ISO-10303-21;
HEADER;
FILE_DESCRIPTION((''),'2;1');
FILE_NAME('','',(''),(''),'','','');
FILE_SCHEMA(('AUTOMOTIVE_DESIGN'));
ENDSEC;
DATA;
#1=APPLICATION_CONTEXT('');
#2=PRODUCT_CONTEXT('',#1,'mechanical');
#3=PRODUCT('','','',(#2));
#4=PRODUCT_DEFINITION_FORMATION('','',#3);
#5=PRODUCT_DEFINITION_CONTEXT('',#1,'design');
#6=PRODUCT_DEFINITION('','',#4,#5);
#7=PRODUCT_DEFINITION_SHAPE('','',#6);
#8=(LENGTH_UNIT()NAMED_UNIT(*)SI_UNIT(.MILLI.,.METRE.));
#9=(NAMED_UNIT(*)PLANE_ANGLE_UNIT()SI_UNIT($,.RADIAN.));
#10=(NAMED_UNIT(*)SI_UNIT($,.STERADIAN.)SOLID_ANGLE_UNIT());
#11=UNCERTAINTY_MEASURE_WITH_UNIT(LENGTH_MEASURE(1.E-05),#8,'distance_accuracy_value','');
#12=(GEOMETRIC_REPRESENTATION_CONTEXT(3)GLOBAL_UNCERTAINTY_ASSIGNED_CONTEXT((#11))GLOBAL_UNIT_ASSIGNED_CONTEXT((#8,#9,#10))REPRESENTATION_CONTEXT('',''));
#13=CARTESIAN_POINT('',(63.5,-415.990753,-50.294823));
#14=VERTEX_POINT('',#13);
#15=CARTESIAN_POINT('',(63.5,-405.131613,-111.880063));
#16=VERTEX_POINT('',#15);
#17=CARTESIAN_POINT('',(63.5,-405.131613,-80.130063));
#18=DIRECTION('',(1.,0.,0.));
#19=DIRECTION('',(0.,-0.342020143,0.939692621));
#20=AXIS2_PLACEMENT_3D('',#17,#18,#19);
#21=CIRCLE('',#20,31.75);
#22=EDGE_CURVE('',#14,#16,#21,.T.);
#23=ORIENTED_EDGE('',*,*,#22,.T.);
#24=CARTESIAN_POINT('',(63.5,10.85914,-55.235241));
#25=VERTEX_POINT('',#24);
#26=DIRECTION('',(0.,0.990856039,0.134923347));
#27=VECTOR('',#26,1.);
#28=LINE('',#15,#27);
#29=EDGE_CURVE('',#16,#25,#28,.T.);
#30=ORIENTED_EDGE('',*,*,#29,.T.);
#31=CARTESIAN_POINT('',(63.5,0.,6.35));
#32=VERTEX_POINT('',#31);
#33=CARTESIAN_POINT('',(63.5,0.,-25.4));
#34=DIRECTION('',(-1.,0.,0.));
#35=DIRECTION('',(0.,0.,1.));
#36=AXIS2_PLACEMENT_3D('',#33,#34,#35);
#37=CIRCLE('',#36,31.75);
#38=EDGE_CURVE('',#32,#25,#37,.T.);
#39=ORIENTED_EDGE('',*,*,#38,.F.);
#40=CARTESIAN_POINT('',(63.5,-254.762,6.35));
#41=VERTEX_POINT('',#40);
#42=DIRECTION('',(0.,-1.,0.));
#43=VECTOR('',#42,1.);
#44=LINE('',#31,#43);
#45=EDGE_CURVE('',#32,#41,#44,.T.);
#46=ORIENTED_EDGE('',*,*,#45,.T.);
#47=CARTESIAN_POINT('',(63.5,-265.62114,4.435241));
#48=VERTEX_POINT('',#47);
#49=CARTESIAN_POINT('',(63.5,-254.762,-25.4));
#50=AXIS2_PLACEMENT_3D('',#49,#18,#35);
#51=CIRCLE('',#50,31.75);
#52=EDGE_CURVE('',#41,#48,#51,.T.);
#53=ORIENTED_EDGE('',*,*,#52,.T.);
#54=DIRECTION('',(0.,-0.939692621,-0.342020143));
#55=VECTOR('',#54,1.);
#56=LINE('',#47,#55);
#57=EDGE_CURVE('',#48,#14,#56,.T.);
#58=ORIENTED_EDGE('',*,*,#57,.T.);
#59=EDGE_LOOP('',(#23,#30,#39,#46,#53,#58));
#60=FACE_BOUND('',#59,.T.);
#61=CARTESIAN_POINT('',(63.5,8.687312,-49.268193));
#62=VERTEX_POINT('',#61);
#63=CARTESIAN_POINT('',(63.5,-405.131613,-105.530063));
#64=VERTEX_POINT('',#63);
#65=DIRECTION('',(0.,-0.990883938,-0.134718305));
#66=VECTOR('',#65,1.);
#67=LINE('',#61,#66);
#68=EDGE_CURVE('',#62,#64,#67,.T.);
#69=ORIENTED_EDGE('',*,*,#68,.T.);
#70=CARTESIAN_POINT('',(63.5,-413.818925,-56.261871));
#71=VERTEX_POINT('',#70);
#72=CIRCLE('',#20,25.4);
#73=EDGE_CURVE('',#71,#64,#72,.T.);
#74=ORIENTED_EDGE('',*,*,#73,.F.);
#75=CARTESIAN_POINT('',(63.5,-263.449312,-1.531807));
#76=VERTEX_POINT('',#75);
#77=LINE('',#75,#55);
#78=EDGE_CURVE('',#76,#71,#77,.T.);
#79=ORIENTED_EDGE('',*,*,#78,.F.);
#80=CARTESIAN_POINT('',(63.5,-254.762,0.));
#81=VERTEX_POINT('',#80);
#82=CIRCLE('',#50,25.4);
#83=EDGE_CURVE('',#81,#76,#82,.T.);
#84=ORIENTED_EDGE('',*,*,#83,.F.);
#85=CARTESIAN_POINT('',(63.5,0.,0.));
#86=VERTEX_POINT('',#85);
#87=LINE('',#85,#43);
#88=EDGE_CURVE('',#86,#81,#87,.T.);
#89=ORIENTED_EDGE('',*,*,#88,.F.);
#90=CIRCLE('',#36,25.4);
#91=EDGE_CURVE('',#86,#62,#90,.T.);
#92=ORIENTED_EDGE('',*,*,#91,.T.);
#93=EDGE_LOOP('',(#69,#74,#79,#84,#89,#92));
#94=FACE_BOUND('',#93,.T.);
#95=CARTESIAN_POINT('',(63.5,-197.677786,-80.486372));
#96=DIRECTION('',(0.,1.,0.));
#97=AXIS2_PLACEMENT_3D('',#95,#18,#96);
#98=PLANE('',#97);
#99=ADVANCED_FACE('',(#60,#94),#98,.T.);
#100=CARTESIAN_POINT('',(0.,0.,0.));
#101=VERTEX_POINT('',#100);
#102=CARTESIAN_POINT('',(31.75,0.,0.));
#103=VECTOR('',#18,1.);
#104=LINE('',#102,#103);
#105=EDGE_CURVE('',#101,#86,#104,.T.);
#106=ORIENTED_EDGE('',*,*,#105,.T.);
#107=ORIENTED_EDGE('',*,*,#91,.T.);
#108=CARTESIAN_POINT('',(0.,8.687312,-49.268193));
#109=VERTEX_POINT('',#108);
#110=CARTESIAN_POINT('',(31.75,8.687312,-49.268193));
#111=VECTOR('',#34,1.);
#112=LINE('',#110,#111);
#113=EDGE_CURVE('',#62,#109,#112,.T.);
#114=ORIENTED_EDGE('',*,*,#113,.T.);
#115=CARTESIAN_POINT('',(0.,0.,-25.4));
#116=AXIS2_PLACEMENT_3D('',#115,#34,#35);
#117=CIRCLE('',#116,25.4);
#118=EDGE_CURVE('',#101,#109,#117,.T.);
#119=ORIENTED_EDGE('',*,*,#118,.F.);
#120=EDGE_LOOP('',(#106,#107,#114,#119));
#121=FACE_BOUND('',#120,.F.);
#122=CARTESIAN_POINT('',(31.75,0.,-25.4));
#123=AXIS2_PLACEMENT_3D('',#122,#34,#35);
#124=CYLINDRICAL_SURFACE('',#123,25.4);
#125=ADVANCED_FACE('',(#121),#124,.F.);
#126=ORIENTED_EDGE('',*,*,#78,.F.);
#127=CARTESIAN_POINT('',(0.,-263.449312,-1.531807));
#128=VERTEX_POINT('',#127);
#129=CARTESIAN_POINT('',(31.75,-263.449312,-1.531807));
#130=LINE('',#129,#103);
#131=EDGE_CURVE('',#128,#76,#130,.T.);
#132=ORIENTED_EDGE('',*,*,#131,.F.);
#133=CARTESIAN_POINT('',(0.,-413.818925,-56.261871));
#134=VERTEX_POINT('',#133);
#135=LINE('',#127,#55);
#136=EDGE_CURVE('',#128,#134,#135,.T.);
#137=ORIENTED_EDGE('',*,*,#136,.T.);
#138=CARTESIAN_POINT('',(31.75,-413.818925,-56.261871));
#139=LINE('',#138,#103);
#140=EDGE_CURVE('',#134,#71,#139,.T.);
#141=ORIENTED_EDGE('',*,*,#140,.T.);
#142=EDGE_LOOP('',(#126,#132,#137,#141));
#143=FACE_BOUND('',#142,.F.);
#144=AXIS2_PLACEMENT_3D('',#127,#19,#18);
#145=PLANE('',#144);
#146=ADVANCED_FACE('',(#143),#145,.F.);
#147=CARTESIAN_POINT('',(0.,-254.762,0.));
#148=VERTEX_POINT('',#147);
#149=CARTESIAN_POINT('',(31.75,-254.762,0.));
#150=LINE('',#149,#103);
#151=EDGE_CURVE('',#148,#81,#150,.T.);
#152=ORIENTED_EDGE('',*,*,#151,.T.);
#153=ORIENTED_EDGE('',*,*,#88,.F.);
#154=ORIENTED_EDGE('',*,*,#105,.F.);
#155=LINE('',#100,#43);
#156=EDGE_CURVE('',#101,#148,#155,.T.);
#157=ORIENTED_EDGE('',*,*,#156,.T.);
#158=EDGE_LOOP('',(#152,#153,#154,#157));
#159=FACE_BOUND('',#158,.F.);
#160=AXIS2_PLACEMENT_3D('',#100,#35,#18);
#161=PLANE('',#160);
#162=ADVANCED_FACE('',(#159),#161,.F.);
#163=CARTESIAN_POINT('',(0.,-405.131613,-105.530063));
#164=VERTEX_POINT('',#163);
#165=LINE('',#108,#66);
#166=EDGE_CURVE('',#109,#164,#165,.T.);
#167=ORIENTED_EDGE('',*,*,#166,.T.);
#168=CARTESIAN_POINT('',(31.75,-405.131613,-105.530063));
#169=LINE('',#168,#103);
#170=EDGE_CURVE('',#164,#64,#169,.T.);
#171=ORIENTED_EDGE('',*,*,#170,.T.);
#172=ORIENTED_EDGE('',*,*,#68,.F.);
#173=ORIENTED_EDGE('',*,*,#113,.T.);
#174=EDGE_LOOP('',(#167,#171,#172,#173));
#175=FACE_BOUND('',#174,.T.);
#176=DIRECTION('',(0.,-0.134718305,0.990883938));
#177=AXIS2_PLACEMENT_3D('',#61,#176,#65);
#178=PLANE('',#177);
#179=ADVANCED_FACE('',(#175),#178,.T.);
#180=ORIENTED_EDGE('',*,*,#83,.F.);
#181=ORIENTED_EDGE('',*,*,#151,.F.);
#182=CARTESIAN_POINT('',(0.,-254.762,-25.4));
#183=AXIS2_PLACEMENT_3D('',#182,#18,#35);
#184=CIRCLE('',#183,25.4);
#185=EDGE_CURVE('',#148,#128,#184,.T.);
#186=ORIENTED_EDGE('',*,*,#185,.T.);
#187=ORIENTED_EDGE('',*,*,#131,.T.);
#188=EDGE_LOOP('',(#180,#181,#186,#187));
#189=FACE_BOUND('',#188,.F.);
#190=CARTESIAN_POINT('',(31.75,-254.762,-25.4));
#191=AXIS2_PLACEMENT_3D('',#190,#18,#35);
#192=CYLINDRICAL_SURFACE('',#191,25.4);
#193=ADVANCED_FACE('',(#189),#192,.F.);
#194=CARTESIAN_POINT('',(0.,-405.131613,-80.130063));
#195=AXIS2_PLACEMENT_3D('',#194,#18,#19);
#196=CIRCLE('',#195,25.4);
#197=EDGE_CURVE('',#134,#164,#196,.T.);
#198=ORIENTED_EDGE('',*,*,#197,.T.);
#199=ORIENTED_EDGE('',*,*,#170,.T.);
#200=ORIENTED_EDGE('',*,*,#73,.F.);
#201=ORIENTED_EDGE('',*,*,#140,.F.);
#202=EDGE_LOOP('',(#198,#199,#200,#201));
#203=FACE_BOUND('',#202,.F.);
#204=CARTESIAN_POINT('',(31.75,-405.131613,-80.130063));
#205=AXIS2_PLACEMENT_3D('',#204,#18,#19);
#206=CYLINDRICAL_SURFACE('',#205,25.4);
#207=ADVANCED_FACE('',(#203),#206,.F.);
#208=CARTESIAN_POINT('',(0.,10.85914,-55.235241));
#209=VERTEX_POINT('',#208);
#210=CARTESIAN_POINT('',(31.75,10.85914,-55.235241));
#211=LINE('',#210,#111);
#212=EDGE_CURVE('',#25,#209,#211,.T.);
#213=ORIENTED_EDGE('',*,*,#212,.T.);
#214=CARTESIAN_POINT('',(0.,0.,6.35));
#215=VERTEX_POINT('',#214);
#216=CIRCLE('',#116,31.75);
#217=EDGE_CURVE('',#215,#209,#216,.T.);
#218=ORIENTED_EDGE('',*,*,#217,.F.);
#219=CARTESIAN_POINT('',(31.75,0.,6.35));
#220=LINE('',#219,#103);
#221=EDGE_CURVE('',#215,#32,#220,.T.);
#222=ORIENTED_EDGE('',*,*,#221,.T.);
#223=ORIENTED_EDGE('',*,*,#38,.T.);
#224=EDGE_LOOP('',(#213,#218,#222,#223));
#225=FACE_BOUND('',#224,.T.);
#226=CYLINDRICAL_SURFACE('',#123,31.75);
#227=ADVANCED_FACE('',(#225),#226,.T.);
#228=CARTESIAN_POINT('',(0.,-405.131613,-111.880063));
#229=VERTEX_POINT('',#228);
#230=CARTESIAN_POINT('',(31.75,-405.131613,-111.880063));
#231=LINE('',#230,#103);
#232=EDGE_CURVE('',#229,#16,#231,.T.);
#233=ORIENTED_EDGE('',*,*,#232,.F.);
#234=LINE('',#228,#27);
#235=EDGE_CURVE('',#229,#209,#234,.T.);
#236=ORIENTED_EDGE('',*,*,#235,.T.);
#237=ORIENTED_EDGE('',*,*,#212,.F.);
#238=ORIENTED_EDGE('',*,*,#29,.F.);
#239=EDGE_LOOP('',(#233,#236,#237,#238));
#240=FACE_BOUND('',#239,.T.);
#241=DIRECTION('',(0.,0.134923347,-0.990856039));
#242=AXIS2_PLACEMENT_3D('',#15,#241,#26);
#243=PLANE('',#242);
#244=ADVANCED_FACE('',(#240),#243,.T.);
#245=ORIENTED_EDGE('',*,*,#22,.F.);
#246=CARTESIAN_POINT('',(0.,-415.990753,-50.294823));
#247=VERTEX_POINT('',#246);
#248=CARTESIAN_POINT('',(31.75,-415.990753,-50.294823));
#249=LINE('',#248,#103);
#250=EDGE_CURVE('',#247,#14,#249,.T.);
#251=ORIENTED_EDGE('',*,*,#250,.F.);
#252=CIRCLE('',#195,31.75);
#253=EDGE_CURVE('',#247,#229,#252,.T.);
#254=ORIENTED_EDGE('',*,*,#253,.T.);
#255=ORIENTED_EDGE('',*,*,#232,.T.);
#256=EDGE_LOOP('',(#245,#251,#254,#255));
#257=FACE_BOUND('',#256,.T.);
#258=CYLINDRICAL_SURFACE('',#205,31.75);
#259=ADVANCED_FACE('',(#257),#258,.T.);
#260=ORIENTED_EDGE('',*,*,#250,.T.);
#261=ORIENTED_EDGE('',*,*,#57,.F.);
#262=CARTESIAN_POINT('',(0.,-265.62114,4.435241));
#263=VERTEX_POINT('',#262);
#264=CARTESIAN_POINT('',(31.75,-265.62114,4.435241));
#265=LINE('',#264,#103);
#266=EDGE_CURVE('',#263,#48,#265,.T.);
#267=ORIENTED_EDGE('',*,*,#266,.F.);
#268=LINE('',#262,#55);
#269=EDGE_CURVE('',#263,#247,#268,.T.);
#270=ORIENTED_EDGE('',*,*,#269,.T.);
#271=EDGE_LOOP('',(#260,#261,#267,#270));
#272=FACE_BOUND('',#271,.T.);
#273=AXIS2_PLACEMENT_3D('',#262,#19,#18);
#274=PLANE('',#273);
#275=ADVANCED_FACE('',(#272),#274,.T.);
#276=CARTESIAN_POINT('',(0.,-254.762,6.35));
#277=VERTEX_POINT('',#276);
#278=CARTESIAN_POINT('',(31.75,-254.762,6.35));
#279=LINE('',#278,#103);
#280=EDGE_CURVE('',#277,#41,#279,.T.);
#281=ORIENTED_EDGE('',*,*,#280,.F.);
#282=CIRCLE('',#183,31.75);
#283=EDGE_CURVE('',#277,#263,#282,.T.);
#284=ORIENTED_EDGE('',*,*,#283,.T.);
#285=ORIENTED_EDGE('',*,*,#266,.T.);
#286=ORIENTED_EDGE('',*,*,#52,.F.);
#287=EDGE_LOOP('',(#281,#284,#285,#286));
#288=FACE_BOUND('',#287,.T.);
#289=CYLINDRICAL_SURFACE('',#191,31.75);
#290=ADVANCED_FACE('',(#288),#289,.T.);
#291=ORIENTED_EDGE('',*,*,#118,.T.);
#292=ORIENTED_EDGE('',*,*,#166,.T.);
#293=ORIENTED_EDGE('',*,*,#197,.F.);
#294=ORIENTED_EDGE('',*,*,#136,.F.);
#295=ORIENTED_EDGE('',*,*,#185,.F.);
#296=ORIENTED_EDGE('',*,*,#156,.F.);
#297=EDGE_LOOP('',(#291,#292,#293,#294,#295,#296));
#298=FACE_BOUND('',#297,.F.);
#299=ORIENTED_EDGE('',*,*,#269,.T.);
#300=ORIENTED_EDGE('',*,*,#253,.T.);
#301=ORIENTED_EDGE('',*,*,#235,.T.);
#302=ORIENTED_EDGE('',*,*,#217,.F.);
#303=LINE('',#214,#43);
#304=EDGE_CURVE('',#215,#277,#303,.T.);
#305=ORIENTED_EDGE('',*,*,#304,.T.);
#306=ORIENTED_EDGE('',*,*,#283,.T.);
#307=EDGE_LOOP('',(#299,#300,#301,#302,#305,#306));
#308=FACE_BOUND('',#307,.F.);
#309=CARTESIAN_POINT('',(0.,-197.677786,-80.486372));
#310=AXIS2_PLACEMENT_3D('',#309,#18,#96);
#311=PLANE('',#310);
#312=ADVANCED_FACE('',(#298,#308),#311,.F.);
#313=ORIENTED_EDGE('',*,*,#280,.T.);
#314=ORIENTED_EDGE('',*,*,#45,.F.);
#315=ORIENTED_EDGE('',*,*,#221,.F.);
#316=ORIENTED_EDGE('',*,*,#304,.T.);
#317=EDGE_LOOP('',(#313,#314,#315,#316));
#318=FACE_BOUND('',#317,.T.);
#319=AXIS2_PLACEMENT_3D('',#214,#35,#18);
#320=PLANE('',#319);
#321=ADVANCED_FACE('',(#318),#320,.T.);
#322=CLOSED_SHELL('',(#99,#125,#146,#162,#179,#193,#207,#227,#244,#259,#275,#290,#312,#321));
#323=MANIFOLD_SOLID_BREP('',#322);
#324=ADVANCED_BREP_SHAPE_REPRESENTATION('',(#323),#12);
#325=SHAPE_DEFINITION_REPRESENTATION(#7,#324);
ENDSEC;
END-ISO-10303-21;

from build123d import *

# Parameters (mm, degrees)
F0_W      = 63.5
F0_H      = 6.35
F1_DEPTH  = 254.762
F2_W      = 63.5
F2_H      = 6.35
F3_ANGLE  = 20
F4_W      = 63.5
F4_H      = 6.35
F5_DEPTH  = 160.02
F6_W      = 63.5
F6_H      = 6.35
F7_ANGLE  = 160
F8_W      = 63.5
F8_H      = 6.35
F9_ANGLE  = 160
F11_DEPTH = 63.5


with BuildPart() as f1:
    # F0 (on Front) → F1 (new body)
    with BuildSketch(Plane.XZ):
        with Locations((31.75, 3.175)):
            Rectangle(F0_W, F0_H)
    extrude(amount=F1_DEPTH)

    # F2 (on face) → F3 (revolve)
    with BuildSketch(Plane.XZ.offset(254.762)):
        with Locations((31.75, 3.175)):
            Rectangle(F2_W, F2_H)
    revolve(axis=Axis((31.75, -254.762, -25.4), (1, 0, 0)), revolution_arc=F3_ANGLE)

    # F4 (on face) → F5 (join)
    with BuildSketch(Plane(origin=(0, -233.123909852, -84.8501640819), x_dir=(1, 0, 0), z_dir=(0, -0.9396926208, -0.3420201433))):
        with Locations((31.75, 91.840543186)):
            Rectangle(F4_W, F4_H)
    extrude(amount=F5_DEPTH)

    # F6 (on face) → F7 (revolve)
    with BuildSketch(Plane(origin=(0, -383.4935230301, -139.5802274168), x_dir=(1, 0, 0), z_dir=(0, -0.9396926208, -0.3420201433))):
        with Locations((31.75, 91.840543186)):
            Rectangle(F6_W, F6_H)
    revolve(axis=Axis((31.75, -405.1316131782, -80.130063335), (1, 0, 0)), revolution_arc=F7_ANGLE)

    # F8 (on face) → F9 (revolve)
    with BuildSketch(Plane(origin=(0, 0, 0), x_dir=(-1, 0, 0), z_dir=(0, 1, 0))):
        with Locations((-31.75, 3.175)):
            Rectangle(F8_W, F8_H)
    revolve(axis=Axis((31.75, 0, -25.4), (-1, 0, 0)), revolution_arc=F9_ANGLE)

    # F10 (on face) → F11 (join)
    with BuildSketch(Plane.YZ.offset(63.5)):
        Polygon((-405.1316131782, -105.530063335), (-405.1316131782, -111.880063335), (10.8591395506, -55.23524071), (8.6873116405, -49.268192568), align=None)
    extrude(amount=-F11_DEPTH)


solid = f1.part
